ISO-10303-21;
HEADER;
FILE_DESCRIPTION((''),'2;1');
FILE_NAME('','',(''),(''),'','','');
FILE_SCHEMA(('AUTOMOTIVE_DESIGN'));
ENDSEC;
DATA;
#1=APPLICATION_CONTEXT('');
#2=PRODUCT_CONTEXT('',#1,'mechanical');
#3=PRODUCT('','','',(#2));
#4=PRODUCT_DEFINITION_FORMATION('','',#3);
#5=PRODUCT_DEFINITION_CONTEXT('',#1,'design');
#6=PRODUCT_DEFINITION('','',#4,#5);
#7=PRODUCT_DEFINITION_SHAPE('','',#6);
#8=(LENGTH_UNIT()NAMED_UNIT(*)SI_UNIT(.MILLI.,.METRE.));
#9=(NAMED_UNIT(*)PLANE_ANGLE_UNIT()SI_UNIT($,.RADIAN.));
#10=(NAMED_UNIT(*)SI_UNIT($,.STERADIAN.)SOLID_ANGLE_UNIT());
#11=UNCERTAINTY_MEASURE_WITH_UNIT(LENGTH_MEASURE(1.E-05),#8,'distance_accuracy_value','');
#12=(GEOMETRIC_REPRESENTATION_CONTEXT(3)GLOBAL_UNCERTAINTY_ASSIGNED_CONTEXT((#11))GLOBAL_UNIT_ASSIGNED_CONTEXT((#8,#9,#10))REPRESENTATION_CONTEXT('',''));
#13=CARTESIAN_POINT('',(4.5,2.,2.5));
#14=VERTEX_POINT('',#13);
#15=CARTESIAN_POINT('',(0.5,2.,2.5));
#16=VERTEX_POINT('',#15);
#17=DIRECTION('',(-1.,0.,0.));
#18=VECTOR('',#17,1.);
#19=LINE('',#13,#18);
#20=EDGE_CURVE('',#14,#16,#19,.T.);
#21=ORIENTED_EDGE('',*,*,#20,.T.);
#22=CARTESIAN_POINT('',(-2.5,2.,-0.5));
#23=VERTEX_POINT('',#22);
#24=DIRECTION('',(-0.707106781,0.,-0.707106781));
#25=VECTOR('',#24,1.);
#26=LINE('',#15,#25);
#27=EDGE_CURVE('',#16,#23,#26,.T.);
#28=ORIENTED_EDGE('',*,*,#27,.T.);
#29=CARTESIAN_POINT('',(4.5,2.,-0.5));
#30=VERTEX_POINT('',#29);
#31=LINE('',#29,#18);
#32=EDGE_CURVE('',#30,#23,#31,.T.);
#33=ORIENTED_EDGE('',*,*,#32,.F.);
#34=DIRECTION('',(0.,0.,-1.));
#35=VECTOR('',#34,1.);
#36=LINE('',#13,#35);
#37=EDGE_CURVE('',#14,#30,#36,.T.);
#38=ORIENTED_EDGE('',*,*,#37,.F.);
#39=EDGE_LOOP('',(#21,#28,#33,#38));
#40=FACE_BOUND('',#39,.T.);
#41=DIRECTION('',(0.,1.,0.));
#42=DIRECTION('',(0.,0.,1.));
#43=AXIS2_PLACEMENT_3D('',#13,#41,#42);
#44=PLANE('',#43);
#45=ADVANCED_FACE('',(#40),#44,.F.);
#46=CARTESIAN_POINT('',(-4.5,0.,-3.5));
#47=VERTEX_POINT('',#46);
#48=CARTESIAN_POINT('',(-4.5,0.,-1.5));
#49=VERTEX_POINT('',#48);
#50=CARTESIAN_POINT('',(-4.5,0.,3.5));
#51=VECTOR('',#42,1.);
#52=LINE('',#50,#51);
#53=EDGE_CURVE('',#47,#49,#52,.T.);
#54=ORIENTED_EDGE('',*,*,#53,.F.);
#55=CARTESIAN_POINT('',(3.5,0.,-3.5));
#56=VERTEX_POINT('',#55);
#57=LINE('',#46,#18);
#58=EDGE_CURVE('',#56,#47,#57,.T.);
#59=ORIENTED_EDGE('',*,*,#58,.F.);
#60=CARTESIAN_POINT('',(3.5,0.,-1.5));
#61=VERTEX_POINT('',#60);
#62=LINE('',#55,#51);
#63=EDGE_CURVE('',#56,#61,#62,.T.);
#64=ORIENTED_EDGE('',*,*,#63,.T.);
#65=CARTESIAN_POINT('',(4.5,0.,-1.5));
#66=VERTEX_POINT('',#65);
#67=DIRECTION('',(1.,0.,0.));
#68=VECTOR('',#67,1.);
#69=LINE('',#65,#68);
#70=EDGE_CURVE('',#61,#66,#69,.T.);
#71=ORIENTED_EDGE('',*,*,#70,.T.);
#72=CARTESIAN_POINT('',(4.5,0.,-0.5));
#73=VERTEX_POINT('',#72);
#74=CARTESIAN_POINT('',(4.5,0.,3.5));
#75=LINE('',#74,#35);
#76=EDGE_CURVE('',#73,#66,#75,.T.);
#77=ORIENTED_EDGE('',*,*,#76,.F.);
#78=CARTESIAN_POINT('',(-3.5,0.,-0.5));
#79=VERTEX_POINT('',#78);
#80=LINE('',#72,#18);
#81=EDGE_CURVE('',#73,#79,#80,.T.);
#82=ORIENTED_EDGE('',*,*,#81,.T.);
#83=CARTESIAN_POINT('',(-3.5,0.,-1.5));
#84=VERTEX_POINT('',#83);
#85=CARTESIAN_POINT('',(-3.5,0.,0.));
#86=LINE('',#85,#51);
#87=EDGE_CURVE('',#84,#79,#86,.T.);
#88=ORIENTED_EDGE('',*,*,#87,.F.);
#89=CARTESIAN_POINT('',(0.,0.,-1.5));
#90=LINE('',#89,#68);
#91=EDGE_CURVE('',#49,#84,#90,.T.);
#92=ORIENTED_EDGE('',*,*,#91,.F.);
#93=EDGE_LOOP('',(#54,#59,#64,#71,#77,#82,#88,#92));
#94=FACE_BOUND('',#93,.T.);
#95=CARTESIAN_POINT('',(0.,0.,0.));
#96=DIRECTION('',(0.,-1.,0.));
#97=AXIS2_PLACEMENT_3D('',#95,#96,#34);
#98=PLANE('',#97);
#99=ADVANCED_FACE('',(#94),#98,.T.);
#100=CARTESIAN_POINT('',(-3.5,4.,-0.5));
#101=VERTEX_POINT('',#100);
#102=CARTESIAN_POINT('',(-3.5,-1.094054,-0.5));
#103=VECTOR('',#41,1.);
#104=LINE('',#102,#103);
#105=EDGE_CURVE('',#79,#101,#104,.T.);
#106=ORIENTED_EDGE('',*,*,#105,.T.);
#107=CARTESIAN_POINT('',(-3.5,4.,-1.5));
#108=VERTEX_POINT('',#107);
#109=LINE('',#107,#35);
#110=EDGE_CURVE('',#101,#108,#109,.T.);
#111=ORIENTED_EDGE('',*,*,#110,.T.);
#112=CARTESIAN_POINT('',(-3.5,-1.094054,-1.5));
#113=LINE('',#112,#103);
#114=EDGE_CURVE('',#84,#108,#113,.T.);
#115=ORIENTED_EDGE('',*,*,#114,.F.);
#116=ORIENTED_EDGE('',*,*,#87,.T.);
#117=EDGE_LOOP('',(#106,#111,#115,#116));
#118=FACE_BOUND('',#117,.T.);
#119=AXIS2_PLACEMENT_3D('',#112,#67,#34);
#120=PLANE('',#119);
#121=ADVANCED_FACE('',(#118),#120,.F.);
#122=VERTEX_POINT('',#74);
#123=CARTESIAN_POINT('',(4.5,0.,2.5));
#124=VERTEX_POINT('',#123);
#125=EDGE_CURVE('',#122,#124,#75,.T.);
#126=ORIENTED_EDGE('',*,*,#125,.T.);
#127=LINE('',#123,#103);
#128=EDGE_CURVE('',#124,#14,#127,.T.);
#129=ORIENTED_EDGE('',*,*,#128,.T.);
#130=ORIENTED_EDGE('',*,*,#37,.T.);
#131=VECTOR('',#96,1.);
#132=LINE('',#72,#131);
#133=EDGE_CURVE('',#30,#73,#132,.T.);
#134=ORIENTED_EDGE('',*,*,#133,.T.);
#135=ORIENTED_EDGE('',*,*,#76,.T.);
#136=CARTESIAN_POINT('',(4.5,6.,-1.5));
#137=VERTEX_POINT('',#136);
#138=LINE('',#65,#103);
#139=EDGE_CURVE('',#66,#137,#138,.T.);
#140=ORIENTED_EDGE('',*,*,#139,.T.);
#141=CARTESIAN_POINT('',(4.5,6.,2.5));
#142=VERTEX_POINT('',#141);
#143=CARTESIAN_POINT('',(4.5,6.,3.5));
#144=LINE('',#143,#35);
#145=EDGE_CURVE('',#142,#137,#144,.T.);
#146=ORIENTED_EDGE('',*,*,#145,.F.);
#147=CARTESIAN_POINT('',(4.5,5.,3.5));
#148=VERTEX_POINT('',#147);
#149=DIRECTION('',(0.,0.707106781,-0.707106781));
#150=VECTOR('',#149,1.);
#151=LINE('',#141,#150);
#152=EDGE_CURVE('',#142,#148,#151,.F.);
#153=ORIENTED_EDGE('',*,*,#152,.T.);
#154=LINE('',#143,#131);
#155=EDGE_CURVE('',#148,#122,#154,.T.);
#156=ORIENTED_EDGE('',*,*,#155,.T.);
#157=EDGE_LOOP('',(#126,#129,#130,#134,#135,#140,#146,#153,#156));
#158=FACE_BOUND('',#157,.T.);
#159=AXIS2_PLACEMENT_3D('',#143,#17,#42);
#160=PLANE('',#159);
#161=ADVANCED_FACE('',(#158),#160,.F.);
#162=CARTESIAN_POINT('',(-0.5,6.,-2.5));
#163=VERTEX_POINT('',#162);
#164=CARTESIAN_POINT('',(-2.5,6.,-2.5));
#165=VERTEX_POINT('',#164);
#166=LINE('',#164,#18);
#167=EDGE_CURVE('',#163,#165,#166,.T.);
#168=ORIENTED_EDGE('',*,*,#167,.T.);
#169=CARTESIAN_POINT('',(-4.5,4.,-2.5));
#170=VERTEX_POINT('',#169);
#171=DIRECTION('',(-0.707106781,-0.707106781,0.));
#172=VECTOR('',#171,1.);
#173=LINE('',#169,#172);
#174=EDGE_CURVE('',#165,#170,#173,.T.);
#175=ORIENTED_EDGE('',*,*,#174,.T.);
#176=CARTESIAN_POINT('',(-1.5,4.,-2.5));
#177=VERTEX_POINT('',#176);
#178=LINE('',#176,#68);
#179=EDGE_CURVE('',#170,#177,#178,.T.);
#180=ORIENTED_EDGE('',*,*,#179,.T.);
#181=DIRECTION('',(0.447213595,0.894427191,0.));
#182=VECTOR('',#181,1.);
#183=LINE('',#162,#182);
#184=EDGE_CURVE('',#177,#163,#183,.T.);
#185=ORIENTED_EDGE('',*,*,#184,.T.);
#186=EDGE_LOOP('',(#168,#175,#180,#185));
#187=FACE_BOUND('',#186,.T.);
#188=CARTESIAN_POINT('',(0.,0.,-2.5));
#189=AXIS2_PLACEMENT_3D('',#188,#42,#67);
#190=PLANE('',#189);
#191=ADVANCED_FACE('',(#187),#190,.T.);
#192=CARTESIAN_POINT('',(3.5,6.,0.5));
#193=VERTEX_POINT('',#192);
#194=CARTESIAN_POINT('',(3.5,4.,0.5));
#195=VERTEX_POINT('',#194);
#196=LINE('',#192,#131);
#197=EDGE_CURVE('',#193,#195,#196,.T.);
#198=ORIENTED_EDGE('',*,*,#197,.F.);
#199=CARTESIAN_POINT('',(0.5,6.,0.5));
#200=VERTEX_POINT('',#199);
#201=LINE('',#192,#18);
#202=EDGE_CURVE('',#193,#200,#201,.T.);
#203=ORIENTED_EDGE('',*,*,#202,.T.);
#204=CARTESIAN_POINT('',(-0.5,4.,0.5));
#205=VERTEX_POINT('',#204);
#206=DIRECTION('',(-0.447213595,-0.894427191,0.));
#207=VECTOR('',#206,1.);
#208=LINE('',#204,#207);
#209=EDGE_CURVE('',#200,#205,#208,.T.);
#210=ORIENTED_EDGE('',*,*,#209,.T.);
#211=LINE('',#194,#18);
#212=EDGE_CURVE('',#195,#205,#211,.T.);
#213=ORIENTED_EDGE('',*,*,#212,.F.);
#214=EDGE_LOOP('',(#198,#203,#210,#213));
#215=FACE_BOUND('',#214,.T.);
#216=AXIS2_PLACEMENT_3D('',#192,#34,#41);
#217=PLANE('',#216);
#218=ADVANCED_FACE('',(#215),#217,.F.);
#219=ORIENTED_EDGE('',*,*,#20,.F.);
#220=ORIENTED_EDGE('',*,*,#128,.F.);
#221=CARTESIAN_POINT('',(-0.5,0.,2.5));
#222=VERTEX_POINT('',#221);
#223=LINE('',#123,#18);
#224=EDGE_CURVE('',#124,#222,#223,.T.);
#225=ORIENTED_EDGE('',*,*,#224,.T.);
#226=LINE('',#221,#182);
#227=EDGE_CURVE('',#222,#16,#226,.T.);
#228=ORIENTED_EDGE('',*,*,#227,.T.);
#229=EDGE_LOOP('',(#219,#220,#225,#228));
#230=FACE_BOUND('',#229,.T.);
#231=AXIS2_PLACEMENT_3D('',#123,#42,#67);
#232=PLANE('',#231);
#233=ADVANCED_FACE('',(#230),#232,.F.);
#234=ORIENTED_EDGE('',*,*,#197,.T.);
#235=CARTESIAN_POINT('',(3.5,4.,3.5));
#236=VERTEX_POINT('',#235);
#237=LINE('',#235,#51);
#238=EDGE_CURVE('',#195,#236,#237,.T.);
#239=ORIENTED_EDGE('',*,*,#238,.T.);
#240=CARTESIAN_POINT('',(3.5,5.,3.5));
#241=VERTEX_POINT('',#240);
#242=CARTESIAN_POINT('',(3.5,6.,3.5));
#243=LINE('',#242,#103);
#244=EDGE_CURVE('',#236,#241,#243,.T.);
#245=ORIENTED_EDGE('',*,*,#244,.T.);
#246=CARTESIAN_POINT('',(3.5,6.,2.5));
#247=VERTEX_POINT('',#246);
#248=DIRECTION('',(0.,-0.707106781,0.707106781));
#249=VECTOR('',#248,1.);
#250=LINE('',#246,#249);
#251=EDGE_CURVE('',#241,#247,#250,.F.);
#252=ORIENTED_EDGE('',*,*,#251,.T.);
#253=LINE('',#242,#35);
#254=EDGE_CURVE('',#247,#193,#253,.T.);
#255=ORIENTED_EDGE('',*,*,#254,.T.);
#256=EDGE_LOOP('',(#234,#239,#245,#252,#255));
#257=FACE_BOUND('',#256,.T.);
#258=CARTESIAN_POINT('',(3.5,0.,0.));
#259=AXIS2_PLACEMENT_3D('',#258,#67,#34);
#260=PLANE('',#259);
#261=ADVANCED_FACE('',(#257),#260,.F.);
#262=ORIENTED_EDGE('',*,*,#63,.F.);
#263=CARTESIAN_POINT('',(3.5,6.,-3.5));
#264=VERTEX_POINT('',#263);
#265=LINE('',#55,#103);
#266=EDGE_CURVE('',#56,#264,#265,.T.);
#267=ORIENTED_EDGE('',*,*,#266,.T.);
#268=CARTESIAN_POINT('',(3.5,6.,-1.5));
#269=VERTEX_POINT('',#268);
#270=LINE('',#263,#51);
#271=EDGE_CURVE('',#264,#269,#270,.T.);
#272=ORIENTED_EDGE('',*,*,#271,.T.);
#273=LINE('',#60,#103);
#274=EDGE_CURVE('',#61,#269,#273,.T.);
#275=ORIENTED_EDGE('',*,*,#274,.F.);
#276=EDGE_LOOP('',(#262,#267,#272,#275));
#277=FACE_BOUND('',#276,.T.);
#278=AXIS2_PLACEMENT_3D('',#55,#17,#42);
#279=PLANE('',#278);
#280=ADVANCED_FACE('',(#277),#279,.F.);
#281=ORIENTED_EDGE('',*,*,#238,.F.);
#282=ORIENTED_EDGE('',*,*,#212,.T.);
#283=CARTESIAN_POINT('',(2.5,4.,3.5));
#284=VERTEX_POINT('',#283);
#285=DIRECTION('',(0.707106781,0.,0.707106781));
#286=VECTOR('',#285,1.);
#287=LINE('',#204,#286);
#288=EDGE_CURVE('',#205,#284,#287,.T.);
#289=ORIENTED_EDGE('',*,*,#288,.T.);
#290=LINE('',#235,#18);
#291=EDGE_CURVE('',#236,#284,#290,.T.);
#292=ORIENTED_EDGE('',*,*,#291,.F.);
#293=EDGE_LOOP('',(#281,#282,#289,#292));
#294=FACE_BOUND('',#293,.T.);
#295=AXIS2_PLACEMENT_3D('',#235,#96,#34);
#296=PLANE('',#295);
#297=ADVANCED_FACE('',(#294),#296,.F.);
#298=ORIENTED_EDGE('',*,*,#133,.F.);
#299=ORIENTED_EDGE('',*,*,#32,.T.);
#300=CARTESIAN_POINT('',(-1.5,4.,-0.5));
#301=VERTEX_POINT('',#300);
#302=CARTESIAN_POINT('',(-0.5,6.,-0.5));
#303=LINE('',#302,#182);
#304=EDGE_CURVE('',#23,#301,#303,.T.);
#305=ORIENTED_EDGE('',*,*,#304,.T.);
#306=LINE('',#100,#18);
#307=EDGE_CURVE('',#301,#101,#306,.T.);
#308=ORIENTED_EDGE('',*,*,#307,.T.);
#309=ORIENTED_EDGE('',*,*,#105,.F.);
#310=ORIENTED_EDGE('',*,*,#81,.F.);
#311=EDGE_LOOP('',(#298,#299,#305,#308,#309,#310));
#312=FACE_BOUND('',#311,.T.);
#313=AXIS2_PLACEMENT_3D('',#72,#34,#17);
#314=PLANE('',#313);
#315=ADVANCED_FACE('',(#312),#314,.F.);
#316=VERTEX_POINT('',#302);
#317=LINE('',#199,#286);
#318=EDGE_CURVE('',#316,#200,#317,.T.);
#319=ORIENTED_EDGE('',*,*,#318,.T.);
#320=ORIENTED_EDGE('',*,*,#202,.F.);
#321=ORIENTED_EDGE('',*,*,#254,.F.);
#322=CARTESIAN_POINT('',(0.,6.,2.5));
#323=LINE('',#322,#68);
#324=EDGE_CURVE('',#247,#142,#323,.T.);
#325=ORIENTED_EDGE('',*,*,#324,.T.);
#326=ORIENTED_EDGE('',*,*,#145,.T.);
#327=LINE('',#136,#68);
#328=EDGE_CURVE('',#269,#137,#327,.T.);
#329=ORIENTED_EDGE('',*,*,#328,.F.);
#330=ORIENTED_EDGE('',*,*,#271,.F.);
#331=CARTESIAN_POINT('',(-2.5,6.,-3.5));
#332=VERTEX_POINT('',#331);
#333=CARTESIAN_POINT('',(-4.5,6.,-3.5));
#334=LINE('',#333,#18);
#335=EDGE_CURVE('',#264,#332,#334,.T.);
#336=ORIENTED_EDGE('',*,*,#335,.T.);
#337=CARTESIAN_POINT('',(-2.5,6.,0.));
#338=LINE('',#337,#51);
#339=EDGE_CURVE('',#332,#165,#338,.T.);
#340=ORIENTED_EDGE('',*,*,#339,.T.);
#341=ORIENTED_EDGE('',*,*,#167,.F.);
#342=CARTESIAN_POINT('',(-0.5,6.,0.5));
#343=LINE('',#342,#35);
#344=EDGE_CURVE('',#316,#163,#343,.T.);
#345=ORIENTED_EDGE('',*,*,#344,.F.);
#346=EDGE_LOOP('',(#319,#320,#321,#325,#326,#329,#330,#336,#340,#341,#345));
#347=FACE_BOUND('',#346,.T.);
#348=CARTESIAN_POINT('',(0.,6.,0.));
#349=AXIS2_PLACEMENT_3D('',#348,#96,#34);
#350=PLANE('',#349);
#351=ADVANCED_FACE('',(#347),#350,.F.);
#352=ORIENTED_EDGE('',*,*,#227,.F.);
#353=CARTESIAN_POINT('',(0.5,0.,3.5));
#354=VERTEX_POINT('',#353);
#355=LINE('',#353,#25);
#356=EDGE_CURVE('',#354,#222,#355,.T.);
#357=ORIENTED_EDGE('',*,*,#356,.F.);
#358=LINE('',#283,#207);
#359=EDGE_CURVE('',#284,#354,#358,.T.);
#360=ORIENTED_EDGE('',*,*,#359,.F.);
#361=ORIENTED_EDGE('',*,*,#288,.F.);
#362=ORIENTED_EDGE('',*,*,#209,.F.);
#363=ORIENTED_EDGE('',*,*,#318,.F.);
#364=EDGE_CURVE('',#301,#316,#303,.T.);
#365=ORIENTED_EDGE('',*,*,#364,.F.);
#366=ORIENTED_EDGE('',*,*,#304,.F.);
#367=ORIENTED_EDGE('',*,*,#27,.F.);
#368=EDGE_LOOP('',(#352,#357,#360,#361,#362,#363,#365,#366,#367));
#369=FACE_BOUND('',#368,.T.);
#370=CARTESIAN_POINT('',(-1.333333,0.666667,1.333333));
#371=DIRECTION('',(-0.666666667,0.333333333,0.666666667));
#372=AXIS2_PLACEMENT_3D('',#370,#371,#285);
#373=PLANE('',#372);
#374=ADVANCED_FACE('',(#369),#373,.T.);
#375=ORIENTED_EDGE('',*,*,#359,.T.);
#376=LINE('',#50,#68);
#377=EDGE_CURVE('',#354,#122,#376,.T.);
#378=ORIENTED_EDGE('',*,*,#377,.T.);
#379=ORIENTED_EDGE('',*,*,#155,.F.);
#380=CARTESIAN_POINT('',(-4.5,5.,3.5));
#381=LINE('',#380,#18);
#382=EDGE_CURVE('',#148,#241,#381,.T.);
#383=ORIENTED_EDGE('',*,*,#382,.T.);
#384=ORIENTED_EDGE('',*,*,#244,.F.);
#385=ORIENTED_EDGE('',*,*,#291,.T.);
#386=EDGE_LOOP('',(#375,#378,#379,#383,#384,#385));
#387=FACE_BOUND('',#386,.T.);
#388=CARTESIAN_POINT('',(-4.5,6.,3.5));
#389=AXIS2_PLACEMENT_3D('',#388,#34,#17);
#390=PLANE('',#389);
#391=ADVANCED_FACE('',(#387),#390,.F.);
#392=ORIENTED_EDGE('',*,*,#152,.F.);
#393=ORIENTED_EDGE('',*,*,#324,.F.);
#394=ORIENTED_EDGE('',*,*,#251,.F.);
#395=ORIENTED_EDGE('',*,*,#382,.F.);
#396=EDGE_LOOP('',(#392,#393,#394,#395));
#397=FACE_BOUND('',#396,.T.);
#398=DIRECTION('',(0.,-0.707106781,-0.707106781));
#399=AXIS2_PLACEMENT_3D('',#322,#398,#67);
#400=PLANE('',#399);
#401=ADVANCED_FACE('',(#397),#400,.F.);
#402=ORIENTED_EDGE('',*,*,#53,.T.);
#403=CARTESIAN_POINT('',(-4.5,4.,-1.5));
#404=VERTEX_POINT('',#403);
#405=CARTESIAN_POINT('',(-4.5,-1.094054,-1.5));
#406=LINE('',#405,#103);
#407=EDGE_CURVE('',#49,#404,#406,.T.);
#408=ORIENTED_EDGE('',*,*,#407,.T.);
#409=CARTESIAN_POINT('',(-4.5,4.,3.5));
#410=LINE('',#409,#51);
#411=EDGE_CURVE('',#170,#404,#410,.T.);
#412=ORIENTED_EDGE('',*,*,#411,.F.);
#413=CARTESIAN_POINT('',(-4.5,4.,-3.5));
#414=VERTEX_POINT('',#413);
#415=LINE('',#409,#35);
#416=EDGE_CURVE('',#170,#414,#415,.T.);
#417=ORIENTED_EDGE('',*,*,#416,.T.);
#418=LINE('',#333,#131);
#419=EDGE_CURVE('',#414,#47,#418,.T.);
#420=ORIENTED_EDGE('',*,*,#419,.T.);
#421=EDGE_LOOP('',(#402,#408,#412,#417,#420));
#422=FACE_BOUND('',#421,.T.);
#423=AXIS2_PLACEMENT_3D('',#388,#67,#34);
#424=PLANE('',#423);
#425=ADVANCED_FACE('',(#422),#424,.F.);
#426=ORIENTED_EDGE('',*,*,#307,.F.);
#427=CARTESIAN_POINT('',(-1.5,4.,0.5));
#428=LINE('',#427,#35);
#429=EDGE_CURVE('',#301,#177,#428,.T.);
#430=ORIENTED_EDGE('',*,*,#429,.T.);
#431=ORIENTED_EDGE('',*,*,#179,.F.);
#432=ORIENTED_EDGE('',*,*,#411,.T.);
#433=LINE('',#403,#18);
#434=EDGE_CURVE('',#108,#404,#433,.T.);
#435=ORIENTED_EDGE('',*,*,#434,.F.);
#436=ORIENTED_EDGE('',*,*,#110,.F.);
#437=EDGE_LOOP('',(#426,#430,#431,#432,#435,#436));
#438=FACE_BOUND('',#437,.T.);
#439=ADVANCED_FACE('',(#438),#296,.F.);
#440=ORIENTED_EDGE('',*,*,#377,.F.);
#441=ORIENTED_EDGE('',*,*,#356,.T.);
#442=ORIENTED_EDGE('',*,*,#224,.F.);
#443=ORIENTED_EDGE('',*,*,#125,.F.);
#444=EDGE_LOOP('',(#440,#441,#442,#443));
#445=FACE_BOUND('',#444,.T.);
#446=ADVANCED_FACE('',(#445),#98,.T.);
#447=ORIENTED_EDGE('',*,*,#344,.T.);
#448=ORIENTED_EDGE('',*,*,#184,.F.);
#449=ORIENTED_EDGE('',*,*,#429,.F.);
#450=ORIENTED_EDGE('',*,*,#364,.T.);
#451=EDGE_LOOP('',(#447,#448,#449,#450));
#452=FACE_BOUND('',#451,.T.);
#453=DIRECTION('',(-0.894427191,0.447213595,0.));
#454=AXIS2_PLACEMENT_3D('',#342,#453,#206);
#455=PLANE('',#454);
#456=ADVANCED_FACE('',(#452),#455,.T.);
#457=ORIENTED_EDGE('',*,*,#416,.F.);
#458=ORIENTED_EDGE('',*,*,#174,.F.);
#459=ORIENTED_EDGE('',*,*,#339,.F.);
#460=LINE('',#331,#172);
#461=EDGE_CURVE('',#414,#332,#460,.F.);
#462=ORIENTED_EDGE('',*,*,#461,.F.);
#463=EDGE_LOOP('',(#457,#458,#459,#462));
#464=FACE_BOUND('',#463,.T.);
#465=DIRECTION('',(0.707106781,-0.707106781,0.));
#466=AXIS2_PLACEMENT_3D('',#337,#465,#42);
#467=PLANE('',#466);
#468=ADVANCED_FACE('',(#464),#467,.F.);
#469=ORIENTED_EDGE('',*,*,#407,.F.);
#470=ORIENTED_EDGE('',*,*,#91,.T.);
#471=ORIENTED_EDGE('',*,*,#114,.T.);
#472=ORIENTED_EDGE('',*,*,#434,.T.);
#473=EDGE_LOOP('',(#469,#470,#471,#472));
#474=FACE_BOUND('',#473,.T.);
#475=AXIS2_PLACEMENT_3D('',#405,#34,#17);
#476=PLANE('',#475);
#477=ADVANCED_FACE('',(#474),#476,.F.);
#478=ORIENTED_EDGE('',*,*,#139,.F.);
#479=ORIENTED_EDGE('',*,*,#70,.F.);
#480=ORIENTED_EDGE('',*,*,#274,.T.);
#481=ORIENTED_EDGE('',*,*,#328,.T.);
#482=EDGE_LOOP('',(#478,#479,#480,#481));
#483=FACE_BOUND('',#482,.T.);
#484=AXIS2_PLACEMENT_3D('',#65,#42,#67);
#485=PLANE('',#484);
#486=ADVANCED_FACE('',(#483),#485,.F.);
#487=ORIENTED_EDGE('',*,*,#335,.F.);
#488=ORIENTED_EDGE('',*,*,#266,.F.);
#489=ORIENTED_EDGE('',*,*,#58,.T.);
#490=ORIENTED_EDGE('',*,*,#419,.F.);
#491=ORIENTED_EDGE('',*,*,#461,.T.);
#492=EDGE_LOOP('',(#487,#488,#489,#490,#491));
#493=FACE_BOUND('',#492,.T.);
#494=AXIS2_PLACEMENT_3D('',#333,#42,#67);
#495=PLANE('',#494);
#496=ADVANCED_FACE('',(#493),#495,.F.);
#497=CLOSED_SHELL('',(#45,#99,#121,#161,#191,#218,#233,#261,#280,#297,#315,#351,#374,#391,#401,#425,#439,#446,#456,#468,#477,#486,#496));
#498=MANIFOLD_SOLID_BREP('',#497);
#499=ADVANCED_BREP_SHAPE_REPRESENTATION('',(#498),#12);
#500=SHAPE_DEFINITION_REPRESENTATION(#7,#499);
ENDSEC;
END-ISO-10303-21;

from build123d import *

# Parameters (mm, degrees)
SKETCH1_W               = 9
SKETCH1_H               = 7
BOSS_EXTRUDE1_DEPTH     = 6
SKETCH2_W               = 3
SKETCH2_H               = 2
CUT_EXTRUDE1_DEPTH      = 12.368817001
SKETCH3_W               = 3
SKETCH3_H               = 2
CUT_EXTRUDE2_DEPTH      = 8
CHAMFER1_SIZE           = 1
SKETCH4_W               = 1
SKETCH4_H               = 2
CUT_EXTRUDE3_DEPTH      = 9.276472679
SKETCH5_W               = 3
SKETCH5_H               = 2
CUT_EXTRUDE4_DEPTH      = 2
CHAMFER2_SIZE           = 2
CUT_EXTRUDE5_DEPTH      = 2
CUT_EXTRUDE5_DEPTH_BACK = 1
CUT_EXTRUDE6_DEPTH      = 5.094054233
CUT_EXTRUDE7_DEPTH      = 5.094054233


with BuildPart() as part:
    # Sketch1 → Boss-Extrude1 (new body)
    with BuildSketch(Plane(origin=(0, 0, 0), x_dir=(1, 0, 0), z_dir=(0, 1, 0))):
        Rectangle(SKETCH1_W, SKETCH1_H)
    extrude(amount=BOSS_EXTRUDE1_DEPTH)

    # Sketch2 → Cut-Extrude1 (cut, through all)
    with BuildSketch(Plane.ZY.offset(4.5)):
        with Locations((1, 1)):
            Rectangle(SKETCH2_W, SKETCH2_H)
    extrude(amount=-CUT_EXTRUDE1_DEPTH, mode=Mode.SUBTRACT)

    # Sketch3 → Cut-Extrude2 (cut)
    with BuildSketch(Plane.ZY.offset(4.5)):
        with Locations((2, 5)):
            Rectangle(SKETCH3_W, SKETCH3_H)
    extrude(amount=-CUT_EXTRUDE2_DEPTH, mode=Mode.SUBTRACT)

    # Chamfer1
    chamfer1_edges = [part.edges().sort_by_distance(p)[0] for p in [
        (4, 6, 3.5),
    ]]
    chamfer(chamfer1_edges, length=CHAMFER1_SIZE)

    # Sketch4 → Cut-Extrude3 (cut, through all)
    with BuildSketch(Plane(origin=(0, 6, 0), x_dir=(1, 0, 0), z_dir=(0, 1, 0))):
        with Locations((4, 2.5)):
            Rectangle(SKETCH4_W, SKETCH4_H)
    extrude(amount=-CUT_EXTRUDE3_DEPTH, mode=Mode.SUBTRACT)

    # Sketch5 → Cut-Extrude4 (cut)
    with BuildSketch(Plane(origin=(0, 6, 0), x_dir=(1, 0, 0), z_dir=(0, 1, 0))):
        with Locations((-3, 0.5)):
            Rectangle(SKETCH5_W, SKETCH5_H)
    extrude(amount=-CUT_EXTRUDE4_DEPTH, mode=Mode.SUBTRACT)

    # Chamfer2
    chamfer2_edges = [part.edges().sort_by_distance(p)[0] for p in [
        (-4.5, 6, -2.5),
    ]]
    chamfer(chamfer2_edges, length=CHAMFER2_SIZE)

    # Sketch6 → Cut-Extrude5 (cut, two sides)
    with BuildSketch(Plane.XY.offset(-1.5)) as cut_extrude5_sk:
        Polygon((-4.5, 4), (-2.5, 6), (-0.5, 6), (-1.5, 4), align=None)
    extrude(amount=CUT_EXTRUDE5_DEPTH, mode=Mode.SUBTRACT)
    extrude(cut_extrude5_sk.sketch, amount=-CUT_EXTRUDE5_DEPTH_BACK, mode=Mode.SUBTRACT)

    # Sketch7 → Cut-Extrude6 (cut)
    with BuildSketch(Plane(origin=(0, 4, 0), x_dir=(1, 0, 0), z_dir=(0, 1, 0))):
        Polygon((-4.5, 1.5), (-3.5, 1.5), (-3.5, 0.5), (-2.5, 0.5), (-2.5, -3.5), (-4.5, -3.5), align=None)
    extrude(amount=-CUT_EXTRUDE6_DEPTH, mode=Mode.SUBTRACT)

    # 3DSketch1 → Cut-Extrude7 (cut, along a direction that is not the sketch's normal)
    with BuildSketch(Plane(origin=(2.5, 4, 3.5), x_dir=(-0.7453559924999292, -0.29814239699997236, -0.5962847939999446), z_dir=(0.6666666666666674, -0.33333333333333376, -0.6666666666666657))):
        Polygon((0, 0), (2.683281573, -3.577708764), (4.024922359, -3.130495168), (2.683281573, -1.341640786), (6.708203932, 0), (4.024922359, 3.577708764), (2.683281573, 3.130495168), (4.024922359, 1.341640786), align=None)
    extrude(amount=-CUT_EXTRUDE7_DEPTH, dir=(1, 0, 0), mode=Mode.SUBTRACT)


solid = part.part
